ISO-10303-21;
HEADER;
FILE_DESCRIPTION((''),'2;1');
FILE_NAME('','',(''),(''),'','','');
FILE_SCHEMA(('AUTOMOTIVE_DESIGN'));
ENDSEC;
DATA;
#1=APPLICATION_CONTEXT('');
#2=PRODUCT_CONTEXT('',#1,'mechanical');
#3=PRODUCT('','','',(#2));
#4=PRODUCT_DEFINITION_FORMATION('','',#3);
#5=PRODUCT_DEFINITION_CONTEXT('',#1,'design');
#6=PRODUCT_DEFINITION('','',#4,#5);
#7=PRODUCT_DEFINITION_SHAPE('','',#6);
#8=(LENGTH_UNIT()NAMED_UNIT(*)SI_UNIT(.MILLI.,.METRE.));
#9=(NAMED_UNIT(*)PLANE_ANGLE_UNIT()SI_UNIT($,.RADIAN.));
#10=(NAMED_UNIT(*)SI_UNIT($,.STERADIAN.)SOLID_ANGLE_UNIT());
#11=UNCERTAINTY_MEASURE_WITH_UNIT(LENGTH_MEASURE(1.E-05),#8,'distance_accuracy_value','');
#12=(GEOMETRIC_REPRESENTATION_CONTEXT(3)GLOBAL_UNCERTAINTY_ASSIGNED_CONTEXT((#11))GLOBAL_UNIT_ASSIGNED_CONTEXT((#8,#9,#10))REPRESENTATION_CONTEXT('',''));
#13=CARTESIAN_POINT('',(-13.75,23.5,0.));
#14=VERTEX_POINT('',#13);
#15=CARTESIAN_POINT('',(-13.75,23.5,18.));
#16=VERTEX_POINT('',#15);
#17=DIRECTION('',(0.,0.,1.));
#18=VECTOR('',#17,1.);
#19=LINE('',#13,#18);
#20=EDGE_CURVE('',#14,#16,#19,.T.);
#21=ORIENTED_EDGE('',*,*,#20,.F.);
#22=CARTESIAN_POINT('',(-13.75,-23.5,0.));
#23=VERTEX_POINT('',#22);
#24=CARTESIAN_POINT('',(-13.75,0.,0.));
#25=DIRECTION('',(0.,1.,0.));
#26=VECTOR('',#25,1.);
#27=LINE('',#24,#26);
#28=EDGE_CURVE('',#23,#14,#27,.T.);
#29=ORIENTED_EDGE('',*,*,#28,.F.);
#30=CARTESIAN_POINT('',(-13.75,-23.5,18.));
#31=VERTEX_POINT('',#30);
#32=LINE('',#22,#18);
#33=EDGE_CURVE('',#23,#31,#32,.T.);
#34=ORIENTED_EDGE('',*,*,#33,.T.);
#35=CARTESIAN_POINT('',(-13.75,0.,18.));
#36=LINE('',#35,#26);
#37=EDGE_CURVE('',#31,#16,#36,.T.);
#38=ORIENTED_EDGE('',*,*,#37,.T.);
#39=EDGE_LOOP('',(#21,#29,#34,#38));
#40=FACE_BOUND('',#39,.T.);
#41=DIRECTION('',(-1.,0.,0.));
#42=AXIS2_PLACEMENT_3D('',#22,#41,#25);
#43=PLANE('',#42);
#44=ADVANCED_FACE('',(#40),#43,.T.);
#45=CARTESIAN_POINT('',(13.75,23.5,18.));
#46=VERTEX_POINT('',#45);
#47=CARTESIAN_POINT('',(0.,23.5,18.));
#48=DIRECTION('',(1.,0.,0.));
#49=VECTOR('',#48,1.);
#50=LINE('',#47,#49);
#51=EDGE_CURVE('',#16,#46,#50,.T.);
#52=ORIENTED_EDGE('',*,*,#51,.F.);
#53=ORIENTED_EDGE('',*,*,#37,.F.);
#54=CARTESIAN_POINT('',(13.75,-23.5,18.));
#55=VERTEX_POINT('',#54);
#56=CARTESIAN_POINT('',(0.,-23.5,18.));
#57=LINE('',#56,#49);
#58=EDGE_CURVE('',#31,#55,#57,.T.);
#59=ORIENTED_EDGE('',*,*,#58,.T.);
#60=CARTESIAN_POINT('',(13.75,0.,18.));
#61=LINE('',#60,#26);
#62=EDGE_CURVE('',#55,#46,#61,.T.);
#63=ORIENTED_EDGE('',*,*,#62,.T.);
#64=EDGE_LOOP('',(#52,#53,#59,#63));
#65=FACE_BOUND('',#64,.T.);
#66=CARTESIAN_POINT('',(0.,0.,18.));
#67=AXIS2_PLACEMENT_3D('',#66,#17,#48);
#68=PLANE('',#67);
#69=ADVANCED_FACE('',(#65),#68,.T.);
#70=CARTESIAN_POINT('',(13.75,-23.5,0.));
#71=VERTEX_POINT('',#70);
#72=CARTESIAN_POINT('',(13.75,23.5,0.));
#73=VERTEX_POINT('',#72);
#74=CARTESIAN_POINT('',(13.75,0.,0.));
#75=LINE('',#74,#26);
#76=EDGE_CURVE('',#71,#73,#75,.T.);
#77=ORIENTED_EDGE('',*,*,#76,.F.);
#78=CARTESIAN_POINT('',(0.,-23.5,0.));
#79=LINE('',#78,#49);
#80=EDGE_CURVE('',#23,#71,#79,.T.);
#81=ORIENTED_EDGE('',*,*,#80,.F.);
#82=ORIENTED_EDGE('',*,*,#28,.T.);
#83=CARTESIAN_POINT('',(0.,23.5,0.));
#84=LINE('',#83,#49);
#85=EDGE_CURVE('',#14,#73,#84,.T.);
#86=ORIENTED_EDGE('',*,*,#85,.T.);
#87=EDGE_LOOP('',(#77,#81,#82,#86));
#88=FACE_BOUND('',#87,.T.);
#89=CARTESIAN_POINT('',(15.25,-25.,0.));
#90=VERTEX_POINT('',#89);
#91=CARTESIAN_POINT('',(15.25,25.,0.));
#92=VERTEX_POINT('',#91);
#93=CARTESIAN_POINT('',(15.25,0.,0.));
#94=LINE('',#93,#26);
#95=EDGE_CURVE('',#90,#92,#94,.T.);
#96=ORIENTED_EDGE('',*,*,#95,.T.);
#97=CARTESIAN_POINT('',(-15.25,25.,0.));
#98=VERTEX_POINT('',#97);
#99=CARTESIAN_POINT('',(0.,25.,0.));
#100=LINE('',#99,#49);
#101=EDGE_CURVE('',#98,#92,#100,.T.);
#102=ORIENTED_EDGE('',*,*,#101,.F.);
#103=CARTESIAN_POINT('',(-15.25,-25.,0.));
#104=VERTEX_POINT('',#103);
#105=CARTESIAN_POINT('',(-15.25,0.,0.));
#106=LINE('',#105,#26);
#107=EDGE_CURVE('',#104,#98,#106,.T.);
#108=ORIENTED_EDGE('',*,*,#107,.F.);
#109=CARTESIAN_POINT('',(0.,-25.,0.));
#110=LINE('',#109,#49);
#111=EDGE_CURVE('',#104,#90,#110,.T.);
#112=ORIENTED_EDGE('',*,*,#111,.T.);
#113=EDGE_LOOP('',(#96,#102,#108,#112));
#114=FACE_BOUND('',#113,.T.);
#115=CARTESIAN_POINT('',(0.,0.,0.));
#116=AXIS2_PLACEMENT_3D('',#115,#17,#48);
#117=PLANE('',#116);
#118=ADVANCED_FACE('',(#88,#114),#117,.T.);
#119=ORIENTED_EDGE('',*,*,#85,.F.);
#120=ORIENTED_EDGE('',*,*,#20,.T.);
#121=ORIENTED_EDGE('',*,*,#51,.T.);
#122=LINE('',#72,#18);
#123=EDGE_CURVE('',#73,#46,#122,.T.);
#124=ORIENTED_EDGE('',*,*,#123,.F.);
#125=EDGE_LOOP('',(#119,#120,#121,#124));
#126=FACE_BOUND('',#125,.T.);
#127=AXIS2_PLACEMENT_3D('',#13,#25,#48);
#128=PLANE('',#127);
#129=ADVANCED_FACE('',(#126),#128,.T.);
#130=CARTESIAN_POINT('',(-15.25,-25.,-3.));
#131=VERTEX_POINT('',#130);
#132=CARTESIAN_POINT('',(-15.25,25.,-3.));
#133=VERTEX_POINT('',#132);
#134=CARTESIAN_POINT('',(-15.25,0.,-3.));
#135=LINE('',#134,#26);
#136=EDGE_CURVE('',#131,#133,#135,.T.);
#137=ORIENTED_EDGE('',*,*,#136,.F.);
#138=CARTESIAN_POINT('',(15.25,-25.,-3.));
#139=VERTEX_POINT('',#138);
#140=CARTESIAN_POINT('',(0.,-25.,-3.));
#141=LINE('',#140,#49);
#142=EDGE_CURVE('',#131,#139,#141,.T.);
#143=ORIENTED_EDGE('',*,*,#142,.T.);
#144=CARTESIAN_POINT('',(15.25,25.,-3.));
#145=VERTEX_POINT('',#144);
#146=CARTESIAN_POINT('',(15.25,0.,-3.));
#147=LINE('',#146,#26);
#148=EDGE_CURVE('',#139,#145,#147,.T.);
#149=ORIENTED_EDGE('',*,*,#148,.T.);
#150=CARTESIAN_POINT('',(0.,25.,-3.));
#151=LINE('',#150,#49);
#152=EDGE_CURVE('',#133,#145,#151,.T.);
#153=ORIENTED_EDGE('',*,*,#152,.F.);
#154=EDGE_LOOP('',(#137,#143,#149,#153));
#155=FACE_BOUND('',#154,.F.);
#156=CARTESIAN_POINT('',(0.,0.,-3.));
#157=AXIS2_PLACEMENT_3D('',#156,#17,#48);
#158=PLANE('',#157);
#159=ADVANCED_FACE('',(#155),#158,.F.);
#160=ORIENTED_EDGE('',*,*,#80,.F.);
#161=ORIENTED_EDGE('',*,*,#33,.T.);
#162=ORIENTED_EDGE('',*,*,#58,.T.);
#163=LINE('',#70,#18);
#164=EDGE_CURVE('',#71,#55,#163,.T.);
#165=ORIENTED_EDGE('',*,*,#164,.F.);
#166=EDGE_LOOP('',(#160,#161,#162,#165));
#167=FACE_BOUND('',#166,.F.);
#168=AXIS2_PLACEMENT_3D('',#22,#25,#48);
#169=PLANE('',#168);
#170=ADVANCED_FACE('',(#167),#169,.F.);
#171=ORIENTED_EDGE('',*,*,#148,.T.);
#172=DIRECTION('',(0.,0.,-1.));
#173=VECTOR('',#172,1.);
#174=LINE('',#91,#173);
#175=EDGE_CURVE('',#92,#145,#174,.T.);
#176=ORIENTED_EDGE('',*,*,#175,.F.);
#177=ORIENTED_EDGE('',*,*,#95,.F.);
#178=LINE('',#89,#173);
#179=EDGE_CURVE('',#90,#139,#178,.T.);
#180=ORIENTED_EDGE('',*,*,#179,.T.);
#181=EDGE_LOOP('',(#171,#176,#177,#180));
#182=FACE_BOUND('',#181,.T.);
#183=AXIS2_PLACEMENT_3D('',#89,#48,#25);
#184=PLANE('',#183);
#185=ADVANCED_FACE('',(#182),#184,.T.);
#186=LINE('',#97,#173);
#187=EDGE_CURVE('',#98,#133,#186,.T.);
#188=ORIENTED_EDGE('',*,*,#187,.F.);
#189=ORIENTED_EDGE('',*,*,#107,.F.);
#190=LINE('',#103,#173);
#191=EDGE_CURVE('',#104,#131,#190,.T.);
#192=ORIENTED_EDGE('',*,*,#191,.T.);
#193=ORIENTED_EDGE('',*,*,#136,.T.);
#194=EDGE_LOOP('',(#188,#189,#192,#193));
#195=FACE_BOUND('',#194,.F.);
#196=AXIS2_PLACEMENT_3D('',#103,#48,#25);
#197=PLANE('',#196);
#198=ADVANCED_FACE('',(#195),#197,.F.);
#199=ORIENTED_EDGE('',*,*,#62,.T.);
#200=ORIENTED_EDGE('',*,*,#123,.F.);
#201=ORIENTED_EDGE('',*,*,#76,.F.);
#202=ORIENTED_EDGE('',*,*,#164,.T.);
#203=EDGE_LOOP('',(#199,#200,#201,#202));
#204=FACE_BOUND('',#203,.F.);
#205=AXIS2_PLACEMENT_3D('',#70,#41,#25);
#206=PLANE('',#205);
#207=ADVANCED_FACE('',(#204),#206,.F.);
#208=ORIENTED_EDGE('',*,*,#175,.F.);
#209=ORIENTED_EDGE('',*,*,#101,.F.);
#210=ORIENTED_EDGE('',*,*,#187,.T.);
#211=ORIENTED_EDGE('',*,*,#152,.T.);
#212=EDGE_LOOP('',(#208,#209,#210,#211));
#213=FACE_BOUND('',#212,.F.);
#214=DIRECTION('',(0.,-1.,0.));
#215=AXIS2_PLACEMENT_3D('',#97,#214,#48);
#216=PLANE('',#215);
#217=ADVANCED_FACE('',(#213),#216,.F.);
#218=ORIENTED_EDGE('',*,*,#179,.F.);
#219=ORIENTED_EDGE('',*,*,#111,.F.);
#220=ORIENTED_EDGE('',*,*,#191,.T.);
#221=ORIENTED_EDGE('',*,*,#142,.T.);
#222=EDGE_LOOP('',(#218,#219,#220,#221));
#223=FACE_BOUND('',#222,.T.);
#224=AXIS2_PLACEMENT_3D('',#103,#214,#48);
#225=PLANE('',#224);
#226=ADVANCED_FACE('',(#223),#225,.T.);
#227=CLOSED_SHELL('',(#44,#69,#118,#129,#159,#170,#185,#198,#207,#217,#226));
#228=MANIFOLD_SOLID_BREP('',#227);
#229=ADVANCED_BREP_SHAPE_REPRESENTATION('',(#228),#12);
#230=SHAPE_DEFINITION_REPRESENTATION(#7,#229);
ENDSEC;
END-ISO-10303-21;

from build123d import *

# Parameters (mm, degrees)
F0_W     = 27.5
F0_H     = 47
F1_DEPTH = 18
F0_W_2   = 30.5
F0_H_2   = 50
F2_DEPTH = 3


with BuildPart() as f1:
    # F0 (on Top) → F1 (new body)
    with BuildSketch(Plane.XY):
        Rectangle(F0_W, F0_H)
    extrude(amount=F1_DEPTH)

    # F0 (on Top) → F2 (join)
    with BuildSketch(Plane.XY):
        Rectangle(F0_W_2, F0_H_2)
        Rectangle(F0_W, F0_H, mode=Mode.SUBTRACT)
        Rectangle(F0_W, F0_H)
    extrude(amount=-F2_DEPTH)


solid = f1.part
